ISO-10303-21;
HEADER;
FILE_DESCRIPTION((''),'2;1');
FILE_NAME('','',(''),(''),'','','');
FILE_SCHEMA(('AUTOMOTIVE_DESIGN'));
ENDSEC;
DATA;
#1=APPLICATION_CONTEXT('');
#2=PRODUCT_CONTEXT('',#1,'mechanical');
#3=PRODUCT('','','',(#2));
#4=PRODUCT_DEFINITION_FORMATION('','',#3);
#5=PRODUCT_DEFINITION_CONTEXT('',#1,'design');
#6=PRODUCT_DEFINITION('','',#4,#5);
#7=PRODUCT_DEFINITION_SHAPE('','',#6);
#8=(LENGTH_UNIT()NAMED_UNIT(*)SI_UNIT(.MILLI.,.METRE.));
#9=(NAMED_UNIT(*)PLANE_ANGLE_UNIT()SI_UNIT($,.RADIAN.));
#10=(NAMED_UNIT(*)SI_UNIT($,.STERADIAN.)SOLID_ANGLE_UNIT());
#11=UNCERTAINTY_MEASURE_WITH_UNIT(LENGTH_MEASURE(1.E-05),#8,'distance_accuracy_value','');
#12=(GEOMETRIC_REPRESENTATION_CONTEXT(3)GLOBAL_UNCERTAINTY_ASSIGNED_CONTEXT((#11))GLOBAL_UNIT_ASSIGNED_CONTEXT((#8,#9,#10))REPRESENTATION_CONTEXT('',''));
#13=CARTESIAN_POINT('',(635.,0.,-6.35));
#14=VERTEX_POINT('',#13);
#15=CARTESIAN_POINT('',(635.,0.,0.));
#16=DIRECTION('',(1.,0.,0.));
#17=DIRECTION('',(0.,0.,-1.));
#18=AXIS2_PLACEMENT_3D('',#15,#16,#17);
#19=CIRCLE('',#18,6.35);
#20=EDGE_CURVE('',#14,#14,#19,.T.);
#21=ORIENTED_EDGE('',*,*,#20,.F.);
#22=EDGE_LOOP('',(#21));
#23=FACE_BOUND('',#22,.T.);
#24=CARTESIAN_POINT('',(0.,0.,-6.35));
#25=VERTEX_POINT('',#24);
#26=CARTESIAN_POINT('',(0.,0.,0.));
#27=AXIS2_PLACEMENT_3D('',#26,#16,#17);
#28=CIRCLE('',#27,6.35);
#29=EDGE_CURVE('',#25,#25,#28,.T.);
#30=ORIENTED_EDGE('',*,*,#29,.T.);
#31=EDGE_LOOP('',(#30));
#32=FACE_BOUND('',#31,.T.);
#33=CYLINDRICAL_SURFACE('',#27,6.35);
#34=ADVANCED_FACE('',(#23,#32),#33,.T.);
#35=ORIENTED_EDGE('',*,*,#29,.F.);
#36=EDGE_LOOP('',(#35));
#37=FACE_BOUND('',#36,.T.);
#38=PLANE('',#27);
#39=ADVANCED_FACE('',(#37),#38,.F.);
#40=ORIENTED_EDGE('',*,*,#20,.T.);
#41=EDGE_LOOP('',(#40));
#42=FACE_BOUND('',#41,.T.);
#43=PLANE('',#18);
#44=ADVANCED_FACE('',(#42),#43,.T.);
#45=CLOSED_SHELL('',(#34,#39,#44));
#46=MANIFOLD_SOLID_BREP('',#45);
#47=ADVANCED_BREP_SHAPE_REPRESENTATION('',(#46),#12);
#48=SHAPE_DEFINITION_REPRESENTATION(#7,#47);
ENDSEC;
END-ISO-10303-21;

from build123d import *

# Parameters (mm, degrees)
SWEEP1_PROFILE_R = 6.35


with BuildPart() as part:
    # Sweep1: sweep along a path in Sketch1
    with BuildLine(Plane(origin=(0, 0, 0), x_dir=(1, 0, 0), z_dir=(0, 1, 0))) as sweep1_path:
        Line((0, 0), (635, 0))
    # Sweep1 profile (on start of the path) → Sweep1 (sweep)
    with BuildSketch(Plane(origin=(0, 0, 0), x_dir=(0, 0, 1), z_dir=(1, 0, 0))):
        Circle(SWEEP1_PROFILE_R)
    sweep(path=sweep1_path.line)


solid = part.part
